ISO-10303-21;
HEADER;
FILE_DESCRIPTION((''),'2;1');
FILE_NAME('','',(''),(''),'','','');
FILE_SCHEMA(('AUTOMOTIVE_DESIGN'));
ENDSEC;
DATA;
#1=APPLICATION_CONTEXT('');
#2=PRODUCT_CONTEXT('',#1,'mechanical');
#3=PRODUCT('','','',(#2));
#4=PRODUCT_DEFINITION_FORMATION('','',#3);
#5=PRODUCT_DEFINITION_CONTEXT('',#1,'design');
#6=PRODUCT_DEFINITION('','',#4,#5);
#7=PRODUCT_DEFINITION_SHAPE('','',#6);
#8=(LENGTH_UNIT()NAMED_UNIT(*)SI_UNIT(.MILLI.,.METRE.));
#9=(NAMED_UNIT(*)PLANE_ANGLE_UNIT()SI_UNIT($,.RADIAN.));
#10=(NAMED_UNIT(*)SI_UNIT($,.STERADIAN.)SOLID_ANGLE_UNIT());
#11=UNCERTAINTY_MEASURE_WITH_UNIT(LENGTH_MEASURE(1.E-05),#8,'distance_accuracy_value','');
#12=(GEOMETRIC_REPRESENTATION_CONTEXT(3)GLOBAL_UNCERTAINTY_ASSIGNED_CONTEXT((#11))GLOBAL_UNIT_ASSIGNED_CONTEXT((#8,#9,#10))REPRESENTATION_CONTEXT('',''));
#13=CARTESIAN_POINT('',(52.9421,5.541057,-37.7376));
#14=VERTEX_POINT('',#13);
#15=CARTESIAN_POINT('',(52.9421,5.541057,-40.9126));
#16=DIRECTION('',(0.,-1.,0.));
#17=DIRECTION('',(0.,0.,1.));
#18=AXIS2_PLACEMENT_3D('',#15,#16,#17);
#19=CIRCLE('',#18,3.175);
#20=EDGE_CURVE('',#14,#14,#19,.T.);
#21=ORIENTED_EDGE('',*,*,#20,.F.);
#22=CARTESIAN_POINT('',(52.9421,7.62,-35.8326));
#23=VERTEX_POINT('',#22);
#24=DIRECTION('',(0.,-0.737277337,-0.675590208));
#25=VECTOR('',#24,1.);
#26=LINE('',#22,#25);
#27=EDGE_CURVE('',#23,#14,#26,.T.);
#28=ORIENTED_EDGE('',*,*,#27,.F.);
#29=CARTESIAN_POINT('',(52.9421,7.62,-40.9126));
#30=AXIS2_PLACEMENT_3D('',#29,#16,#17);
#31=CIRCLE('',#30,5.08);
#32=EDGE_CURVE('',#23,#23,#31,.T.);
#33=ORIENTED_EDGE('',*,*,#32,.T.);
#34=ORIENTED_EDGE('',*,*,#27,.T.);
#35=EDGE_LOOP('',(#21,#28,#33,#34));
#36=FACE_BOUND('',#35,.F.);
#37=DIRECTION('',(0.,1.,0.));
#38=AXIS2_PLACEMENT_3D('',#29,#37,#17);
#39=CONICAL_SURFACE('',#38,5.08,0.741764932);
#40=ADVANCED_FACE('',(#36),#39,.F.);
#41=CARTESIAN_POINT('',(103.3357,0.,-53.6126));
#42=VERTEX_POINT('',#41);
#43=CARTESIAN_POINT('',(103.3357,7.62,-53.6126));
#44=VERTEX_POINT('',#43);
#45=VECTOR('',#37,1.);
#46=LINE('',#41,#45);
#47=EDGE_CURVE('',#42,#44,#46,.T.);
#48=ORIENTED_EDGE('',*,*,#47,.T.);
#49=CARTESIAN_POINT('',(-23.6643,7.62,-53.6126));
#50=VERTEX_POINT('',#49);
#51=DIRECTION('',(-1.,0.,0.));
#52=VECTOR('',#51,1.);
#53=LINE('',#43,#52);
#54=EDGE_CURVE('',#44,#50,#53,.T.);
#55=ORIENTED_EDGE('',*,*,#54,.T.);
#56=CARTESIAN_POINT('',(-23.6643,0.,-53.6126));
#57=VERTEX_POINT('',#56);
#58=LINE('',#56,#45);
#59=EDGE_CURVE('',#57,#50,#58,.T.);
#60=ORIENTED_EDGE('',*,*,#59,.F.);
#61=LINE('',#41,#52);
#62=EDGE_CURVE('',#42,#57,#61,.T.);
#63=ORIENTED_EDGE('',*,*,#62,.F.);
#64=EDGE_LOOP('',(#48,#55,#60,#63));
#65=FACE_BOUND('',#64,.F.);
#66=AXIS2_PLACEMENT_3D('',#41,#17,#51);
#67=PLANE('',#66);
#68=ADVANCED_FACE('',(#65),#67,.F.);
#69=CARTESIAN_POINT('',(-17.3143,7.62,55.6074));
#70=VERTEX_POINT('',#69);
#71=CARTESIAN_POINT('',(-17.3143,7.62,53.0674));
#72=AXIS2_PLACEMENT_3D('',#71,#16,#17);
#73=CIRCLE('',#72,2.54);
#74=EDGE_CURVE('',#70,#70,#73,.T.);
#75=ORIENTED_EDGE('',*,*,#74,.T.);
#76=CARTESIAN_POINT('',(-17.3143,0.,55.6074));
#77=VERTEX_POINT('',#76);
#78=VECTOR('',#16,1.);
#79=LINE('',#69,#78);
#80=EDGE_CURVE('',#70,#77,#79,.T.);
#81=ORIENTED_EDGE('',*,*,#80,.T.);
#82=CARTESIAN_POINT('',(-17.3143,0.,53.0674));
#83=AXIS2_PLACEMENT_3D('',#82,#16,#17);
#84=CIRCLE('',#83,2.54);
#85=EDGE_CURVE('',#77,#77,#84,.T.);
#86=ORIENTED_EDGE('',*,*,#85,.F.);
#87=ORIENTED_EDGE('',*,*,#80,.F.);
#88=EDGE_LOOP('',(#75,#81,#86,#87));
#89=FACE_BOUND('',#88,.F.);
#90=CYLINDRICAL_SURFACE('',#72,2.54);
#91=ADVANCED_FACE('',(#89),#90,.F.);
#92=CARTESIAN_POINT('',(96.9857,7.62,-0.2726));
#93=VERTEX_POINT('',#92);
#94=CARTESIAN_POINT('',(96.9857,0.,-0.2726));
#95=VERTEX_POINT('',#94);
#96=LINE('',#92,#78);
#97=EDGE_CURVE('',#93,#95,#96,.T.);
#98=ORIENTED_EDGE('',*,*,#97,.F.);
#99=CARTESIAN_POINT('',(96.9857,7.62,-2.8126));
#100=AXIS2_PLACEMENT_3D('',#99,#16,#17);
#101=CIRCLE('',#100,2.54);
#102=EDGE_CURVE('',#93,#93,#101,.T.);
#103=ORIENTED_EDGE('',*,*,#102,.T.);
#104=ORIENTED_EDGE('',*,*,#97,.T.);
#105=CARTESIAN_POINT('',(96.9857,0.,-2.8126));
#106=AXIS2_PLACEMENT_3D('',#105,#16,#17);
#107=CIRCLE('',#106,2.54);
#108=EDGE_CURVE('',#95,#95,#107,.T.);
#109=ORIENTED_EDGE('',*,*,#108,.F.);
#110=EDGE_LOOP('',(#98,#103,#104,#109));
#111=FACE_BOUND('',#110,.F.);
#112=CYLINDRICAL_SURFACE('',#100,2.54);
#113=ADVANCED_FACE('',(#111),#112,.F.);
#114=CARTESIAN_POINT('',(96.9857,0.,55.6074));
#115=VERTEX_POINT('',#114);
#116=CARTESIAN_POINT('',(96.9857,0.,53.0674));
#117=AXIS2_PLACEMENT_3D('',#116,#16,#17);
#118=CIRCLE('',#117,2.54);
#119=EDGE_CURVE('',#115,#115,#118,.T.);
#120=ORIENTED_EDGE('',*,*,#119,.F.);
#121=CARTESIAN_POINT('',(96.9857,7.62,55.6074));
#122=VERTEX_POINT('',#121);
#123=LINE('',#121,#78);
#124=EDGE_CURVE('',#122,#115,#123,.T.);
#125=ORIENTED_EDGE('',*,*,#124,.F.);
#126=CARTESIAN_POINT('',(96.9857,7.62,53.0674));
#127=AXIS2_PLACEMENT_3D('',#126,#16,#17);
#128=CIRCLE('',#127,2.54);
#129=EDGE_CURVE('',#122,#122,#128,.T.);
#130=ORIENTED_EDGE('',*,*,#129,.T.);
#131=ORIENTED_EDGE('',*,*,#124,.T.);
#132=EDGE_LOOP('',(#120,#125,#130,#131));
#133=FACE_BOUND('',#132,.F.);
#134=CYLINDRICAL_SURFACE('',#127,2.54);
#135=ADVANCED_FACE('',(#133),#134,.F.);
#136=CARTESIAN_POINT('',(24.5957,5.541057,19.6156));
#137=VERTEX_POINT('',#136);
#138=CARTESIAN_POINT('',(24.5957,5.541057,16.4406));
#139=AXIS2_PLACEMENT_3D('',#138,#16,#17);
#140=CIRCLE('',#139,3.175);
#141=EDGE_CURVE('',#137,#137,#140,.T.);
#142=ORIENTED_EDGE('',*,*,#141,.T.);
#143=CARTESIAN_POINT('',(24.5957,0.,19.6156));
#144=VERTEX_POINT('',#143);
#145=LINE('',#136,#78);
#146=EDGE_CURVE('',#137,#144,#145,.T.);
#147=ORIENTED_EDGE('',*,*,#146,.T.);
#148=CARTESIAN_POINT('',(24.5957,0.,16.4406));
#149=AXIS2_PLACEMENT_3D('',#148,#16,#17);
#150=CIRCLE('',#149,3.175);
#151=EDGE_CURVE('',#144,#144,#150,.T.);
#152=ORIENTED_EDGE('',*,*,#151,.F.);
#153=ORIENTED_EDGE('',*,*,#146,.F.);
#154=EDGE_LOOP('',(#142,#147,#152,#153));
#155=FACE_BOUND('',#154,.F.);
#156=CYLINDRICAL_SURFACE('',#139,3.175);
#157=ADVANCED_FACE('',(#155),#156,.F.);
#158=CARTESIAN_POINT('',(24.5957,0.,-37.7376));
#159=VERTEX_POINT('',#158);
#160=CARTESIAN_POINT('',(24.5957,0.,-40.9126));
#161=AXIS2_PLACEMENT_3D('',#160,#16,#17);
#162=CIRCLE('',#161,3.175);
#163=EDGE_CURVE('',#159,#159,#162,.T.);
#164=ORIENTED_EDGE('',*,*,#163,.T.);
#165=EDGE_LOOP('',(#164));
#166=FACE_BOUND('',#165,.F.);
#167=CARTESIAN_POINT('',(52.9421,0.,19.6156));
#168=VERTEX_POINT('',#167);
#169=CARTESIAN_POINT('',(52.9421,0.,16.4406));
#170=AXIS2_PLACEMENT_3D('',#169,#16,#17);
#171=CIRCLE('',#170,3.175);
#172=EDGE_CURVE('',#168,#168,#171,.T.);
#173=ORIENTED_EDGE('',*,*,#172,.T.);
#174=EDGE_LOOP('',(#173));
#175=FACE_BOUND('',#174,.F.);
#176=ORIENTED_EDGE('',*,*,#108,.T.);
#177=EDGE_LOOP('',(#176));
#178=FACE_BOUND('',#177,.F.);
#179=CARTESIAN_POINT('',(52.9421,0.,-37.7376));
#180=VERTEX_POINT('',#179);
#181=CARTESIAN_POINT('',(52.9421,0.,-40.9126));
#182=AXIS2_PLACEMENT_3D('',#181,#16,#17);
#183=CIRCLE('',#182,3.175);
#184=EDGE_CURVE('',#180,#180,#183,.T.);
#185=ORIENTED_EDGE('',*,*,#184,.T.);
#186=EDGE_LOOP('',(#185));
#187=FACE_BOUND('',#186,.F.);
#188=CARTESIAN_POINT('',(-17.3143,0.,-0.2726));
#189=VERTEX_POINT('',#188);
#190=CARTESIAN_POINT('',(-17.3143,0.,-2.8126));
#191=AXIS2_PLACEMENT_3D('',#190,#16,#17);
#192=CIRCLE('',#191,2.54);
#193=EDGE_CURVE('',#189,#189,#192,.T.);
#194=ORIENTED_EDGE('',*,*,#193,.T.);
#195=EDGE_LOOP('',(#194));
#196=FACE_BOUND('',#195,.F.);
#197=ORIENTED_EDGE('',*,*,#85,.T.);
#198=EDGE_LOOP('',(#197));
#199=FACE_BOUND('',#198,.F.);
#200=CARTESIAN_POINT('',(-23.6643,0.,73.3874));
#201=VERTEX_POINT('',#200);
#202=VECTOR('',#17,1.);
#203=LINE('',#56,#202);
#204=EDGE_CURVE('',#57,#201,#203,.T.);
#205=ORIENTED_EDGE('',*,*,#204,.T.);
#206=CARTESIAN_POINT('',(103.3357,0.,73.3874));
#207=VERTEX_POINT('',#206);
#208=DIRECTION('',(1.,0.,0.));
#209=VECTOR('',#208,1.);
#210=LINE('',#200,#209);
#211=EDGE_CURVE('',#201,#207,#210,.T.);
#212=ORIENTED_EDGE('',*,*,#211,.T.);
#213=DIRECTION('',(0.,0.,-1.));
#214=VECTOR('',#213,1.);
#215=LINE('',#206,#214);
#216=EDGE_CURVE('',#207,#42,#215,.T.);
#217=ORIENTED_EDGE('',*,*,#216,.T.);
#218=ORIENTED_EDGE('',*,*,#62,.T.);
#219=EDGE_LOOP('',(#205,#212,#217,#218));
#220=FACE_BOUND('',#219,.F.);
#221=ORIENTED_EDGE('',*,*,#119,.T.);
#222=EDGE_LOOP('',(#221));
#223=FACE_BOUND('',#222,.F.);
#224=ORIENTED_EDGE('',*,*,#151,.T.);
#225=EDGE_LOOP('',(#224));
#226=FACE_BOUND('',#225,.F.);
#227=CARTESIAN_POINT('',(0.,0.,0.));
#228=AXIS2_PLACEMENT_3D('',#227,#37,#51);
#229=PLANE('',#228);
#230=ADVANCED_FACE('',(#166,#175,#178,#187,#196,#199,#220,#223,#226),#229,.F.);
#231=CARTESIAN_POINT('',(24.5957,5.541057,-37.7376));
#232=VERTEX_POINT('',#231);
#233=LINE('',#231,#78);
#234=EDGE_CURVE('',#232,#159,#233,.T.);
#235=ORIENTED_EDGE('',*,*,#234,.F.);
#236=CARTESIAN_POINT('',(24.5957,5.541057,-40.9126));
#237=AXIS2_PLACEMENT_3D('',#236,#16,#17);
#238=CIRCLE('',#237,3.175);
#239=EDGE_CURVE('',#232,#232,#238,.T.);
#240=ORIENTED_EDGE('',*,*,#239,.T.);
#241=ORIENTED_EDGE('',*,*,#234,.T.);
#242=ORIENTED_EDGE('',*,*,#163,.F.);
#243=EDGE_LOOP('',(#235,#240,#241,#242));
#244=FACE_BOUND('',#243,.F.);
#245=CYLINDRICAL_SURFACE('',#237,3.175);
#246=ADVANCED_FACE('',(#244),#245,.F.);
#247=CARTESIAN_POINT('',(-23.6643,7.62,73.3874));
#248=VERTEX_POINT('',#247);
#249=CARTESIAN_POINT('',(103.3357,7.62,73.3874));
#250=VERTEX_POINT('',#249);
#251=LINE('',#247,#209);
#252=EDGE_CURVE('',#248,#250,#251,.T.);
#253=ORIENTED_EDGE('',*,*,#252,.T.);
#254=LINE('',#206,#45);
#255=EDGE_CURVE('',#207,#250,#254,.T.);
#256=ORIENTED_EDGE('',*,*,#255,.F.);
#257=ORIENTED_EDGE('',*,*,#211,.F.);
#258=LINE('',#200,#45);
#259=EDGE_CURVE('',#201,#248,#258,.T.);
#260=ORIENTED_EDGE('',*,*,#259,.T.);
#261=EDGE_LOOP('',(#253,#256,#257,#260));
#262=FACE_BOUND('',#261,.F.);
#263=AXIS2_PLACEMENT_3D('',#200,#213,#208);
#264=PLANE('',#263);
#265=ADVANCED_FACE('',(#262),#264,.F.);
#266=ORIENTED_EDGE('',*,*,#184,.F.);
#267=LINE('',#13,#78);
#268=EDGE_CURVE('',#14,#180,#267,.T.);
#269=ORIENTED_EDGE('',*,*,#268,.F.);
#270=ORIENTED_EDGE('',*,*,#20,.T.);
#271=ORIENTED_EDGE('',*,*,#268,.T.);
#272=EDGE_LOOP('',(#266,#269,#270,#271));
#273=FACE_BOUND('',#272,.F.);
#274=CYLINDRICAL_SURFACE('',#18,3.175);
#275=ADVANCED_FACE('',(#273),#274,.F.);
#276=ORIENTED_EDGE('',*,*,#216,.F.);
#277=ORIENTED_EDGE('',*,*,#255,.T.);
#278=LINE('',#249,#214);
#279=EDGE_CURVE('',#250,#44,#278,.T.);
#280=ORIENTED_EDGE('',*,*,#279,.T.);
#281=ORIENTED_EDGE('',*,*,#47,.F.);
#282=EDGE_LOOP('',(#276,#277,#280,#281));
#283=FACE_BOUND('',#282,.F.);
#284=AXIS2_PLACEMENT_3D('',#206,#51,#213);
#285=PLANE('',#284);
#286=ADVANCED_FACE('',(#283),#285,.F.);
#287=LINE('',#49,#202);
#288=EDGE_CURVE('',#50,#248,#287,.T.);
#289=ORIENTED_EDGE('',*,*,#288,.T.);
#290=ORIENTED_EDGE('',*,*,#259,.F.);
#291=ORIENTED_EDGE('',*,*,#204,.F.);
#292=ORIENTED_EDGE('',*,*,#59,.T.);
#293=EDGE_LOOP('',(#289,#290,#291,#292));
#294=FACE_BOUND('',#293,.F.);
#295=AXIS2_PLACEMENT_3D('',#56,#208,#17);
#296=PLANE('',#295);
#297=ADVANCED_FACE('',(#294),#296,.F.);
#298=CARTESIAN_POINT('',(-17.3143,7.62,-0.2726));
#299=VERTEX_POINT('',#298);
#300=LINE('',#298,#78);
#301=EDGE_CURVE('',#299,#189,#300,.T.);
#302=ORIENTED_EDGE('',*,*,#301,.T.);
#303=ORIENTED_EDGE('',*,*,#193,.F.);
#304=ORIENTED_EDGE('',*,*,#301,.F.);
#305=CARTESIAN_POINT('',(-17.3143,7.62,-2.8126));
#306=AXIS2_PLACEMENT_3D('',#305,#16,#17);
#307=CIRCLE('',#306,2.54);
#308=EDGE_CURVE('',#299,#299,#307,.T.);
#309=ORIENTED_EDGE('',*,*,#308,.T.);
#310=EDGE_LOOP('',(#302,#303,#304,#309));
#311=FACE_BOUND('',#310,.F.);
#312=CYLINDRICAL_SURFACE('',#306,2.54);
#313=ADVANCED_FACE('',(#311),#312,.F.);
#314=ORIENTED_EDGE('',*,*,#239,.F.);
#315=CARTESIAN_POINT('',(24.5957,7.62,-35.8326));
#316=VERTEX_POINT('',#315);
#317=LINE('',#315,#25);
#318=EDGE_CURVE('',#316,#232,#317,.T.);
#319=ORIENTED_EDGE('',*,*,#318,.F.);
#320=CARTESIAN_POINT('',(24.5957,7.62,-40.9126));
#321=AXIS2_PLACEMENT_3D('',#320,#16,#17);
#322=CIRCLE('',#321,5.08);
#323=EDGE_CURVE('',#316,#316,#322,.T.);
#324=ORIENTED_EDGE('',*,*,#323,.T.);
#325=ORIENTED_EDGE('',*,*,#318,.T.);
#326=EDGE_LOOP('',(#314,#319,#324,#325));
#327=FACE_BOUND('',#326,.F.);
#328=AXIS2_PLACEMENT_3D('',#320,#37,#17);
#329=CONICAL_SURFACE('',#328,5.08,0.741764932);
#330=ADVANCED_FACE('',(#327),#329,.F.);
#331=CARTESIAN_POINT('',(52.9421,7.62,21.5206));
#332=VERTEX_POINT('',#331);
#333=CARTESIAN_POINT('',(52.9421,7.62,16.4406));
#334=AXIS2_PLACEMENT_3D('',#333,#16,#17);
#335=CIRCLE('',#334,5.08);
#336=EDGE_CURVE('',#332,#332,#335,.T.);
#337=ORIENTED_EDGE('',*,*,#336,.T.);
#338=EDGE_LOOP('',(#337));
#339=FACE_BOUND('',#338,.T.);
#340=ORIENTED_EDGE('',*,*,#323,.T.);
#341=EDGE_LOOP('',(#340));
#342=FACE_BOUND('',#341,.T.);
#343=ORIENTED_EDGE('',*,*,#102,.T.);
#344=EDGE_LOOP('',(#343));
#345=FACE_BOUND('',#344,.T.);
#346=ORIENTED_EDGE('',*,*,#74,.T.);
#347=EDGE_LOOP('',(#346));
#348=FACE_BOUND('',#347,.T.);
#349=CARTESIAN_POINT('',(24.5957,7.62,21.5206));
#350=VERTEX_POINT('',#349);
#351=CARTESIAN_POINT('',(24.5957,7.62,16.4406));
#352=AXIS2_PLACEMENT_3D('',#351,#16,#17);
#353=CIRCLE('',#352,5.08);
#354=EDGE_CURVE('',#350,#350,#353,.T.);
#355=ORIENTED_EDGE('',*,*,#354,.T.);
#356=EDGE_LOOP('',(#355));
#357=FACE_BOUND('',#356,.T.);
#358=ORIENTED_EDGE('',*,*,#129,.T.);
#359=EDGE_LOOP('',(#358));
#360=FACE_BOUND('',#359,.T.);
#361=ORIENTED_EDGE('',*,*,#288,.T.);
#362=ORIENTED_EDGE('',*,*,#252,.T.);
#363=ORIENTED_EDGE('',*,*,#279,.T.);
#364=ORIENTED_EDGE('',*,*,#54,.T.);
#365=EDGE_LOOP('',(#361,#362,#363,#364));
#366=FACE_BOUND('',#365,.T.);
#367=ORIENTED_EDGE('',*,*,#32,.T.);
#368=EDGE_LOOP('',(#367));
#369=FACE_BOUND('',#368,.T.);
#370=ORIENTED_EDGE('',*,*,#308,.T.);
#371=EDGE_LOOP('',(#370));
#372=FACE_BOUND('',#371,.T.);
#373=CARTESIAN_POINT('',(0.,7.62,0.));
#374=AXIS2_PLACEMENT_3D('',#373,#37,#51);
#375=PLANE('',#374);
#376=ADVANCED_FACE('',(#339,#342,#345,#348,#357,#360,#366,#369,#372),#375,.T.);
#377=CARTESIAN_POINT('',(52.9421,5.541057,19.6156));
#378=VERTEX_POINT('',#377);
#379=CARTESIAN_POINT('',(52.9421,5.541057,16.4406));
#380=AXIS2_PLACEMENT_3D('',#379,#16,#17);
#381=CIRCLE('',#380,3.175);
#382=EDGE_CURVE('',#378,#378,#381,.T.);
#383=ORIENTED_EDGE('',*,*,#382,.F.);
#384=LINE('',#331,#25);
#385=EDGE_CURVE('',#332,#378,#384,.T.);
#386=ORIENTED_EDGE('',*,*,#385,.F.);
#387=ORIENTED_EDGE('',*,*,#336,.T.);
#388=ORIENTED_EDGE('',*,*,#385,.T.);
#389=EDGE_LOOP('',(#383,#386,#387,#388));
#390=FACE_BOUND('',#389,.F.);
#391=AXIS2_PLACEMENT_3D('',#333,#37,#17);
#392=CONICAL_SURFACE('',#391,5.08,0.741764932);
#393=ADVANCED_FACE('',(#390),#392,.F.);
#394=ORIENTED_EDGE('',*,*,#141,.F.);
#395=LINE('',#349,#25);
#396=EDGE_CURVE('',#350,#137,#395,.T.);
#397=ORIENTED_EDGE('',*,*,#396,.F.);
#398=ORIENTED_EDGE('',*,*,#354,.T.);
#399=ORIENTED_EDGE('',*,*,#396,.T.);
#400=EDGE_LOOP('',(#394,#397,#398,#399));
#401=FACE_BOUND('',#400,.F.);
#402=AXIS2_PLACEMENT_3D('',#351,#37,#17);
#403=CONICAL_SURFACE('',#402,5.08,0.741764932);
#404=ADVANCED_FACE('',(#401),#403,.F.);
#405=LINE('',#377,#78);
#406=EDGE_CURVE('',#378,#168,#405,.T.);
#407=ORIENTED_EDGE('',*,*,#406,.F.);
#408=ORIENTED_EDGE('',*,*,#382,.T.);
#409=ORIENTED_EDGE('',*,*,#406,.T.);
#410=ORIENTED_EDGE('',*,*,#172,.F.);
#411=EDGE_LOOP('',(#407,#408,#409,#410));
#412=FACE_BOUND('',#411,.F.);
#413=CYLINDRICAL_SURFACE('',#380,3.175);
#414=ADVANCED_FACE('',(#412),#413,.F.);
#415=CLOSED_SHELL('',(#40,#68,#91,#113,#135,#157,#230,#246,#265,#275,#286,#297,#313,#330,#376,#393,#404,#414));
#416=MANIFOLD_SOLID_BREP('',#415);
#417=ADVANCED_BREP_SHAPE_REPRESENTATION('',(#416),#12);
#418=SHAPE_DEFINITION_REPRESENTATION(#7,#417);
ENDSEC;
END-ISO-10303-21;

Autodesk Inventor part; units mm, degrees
ref_plane "YZ Plane" through (0, 0, 0) normal (1, 0, 0) x (0, 1, 0)
ref_plane "XZ Plane" through (0, 0, 0) normal (0, 1, 0) x (-1, 0, 0)
ref_plane "XY Plane" through (0, 0, 0) normal (0, 0, 1) x (1, 0, 0)
sketch "Sketch1" plane through (0, 0, 0) normal (0, 1, 0) x (-1, 0, 0)
  line L0 (23.6643, 73.3874) -> (-103.3357, 73.3874)
  line L1 (-103.3357, 73.3874) -> (-103.3357, -53.6126)
  line L2 (-103.3357, -53.6126) -> (23.6643, -53.6126)
  line L3 (23.6643, -53.6126) -> (23.6643, 73.3874)
  point P0 (0, 0)
  dimension "d0" = 127
  dimension "d1" = 127
extrude "Extrusion1" add sketch "Sketch1" along normal blind 7.62
sketch "Sketch2" plane through (0, 7.62, 0) normal (0, 1, 0) x (1, 0, 0)
  line L0 (-23.6643, 53.6126) -> (-23.6643, -73.3874) projected
  line L1 (103.3357, 53.6126) -> (-23.6643, 53.6126) projected
  line L2 (103.3357, -73.3874) -> (103.3357, 53.6126) projected
  point P0 (0, 0)
  point P1 (-17.3143, -53.0674)
  point P2 (-17.3143, 2.8126)
  point P3 (96.9857, -53.0674)
  point P4 (96.9857, 2.8126)
  dimension "d4" = 0
  dimension "d5" = 6.35
  dimension "d6" = 50.8
  dimension "d7" = 55.88
  dimension "d8" = 0
  dimension "d9" = 0
  dimension "d10" = 0
  dimension "d11" = 6.35
hole "Hole1" at (-17.3143, 7.62, 53.0674) at (-17.3143, 7.62, -2.8126) at (96.9857, 7.62, 53.0674) at (96.9857, 7.62, -2.8126) direction (0, -1, 0) diameter 5.08 end through all
sketch "Sketch3" plane through (0, 7.62, 0) normal (0, 1, 0) x (1, 0, 0)
  line L0 (103.3357, 53.6126) -> (-23.6643, 53.6126) projected
  line L1 (-23.6643, 53.6126) -> (-23.6643, -73.3874) projected
  line L2 (103.3357, -73.3874) -> (103.3357, 53.6126) projected
  point P0 (0, 0)
  point P1 (24.5957, 40.9126)
  point P2 (52.9421, 40.9126)
  point P3 (24.5957, -16.4406)
  point P4 (52.9421, -16.4406)
  dimension "d19" = 28.3464
  dimension "d20" = 0
  dimension "d21" = 57.3532
  dimension "d22" = 0
  dimension "d23" = 0
  dimension "d24" = 0
  dimension "d25" = 12.7
  dimension "d26" = 48.26
  dimension "d27" = 50.3936
hole "Hole2" at (24.5957, 7.62, -40.9126) at (52.9421, 7.62, -40.9126) at (24.5957, 7.62, 16.4406) at (52.9421, 7.62, 16.4406) direction (0, -1, 0) diameter 6.35 end through all countersink diameter 10.16 countersink angle 85
properties part number "BatteryTop"
